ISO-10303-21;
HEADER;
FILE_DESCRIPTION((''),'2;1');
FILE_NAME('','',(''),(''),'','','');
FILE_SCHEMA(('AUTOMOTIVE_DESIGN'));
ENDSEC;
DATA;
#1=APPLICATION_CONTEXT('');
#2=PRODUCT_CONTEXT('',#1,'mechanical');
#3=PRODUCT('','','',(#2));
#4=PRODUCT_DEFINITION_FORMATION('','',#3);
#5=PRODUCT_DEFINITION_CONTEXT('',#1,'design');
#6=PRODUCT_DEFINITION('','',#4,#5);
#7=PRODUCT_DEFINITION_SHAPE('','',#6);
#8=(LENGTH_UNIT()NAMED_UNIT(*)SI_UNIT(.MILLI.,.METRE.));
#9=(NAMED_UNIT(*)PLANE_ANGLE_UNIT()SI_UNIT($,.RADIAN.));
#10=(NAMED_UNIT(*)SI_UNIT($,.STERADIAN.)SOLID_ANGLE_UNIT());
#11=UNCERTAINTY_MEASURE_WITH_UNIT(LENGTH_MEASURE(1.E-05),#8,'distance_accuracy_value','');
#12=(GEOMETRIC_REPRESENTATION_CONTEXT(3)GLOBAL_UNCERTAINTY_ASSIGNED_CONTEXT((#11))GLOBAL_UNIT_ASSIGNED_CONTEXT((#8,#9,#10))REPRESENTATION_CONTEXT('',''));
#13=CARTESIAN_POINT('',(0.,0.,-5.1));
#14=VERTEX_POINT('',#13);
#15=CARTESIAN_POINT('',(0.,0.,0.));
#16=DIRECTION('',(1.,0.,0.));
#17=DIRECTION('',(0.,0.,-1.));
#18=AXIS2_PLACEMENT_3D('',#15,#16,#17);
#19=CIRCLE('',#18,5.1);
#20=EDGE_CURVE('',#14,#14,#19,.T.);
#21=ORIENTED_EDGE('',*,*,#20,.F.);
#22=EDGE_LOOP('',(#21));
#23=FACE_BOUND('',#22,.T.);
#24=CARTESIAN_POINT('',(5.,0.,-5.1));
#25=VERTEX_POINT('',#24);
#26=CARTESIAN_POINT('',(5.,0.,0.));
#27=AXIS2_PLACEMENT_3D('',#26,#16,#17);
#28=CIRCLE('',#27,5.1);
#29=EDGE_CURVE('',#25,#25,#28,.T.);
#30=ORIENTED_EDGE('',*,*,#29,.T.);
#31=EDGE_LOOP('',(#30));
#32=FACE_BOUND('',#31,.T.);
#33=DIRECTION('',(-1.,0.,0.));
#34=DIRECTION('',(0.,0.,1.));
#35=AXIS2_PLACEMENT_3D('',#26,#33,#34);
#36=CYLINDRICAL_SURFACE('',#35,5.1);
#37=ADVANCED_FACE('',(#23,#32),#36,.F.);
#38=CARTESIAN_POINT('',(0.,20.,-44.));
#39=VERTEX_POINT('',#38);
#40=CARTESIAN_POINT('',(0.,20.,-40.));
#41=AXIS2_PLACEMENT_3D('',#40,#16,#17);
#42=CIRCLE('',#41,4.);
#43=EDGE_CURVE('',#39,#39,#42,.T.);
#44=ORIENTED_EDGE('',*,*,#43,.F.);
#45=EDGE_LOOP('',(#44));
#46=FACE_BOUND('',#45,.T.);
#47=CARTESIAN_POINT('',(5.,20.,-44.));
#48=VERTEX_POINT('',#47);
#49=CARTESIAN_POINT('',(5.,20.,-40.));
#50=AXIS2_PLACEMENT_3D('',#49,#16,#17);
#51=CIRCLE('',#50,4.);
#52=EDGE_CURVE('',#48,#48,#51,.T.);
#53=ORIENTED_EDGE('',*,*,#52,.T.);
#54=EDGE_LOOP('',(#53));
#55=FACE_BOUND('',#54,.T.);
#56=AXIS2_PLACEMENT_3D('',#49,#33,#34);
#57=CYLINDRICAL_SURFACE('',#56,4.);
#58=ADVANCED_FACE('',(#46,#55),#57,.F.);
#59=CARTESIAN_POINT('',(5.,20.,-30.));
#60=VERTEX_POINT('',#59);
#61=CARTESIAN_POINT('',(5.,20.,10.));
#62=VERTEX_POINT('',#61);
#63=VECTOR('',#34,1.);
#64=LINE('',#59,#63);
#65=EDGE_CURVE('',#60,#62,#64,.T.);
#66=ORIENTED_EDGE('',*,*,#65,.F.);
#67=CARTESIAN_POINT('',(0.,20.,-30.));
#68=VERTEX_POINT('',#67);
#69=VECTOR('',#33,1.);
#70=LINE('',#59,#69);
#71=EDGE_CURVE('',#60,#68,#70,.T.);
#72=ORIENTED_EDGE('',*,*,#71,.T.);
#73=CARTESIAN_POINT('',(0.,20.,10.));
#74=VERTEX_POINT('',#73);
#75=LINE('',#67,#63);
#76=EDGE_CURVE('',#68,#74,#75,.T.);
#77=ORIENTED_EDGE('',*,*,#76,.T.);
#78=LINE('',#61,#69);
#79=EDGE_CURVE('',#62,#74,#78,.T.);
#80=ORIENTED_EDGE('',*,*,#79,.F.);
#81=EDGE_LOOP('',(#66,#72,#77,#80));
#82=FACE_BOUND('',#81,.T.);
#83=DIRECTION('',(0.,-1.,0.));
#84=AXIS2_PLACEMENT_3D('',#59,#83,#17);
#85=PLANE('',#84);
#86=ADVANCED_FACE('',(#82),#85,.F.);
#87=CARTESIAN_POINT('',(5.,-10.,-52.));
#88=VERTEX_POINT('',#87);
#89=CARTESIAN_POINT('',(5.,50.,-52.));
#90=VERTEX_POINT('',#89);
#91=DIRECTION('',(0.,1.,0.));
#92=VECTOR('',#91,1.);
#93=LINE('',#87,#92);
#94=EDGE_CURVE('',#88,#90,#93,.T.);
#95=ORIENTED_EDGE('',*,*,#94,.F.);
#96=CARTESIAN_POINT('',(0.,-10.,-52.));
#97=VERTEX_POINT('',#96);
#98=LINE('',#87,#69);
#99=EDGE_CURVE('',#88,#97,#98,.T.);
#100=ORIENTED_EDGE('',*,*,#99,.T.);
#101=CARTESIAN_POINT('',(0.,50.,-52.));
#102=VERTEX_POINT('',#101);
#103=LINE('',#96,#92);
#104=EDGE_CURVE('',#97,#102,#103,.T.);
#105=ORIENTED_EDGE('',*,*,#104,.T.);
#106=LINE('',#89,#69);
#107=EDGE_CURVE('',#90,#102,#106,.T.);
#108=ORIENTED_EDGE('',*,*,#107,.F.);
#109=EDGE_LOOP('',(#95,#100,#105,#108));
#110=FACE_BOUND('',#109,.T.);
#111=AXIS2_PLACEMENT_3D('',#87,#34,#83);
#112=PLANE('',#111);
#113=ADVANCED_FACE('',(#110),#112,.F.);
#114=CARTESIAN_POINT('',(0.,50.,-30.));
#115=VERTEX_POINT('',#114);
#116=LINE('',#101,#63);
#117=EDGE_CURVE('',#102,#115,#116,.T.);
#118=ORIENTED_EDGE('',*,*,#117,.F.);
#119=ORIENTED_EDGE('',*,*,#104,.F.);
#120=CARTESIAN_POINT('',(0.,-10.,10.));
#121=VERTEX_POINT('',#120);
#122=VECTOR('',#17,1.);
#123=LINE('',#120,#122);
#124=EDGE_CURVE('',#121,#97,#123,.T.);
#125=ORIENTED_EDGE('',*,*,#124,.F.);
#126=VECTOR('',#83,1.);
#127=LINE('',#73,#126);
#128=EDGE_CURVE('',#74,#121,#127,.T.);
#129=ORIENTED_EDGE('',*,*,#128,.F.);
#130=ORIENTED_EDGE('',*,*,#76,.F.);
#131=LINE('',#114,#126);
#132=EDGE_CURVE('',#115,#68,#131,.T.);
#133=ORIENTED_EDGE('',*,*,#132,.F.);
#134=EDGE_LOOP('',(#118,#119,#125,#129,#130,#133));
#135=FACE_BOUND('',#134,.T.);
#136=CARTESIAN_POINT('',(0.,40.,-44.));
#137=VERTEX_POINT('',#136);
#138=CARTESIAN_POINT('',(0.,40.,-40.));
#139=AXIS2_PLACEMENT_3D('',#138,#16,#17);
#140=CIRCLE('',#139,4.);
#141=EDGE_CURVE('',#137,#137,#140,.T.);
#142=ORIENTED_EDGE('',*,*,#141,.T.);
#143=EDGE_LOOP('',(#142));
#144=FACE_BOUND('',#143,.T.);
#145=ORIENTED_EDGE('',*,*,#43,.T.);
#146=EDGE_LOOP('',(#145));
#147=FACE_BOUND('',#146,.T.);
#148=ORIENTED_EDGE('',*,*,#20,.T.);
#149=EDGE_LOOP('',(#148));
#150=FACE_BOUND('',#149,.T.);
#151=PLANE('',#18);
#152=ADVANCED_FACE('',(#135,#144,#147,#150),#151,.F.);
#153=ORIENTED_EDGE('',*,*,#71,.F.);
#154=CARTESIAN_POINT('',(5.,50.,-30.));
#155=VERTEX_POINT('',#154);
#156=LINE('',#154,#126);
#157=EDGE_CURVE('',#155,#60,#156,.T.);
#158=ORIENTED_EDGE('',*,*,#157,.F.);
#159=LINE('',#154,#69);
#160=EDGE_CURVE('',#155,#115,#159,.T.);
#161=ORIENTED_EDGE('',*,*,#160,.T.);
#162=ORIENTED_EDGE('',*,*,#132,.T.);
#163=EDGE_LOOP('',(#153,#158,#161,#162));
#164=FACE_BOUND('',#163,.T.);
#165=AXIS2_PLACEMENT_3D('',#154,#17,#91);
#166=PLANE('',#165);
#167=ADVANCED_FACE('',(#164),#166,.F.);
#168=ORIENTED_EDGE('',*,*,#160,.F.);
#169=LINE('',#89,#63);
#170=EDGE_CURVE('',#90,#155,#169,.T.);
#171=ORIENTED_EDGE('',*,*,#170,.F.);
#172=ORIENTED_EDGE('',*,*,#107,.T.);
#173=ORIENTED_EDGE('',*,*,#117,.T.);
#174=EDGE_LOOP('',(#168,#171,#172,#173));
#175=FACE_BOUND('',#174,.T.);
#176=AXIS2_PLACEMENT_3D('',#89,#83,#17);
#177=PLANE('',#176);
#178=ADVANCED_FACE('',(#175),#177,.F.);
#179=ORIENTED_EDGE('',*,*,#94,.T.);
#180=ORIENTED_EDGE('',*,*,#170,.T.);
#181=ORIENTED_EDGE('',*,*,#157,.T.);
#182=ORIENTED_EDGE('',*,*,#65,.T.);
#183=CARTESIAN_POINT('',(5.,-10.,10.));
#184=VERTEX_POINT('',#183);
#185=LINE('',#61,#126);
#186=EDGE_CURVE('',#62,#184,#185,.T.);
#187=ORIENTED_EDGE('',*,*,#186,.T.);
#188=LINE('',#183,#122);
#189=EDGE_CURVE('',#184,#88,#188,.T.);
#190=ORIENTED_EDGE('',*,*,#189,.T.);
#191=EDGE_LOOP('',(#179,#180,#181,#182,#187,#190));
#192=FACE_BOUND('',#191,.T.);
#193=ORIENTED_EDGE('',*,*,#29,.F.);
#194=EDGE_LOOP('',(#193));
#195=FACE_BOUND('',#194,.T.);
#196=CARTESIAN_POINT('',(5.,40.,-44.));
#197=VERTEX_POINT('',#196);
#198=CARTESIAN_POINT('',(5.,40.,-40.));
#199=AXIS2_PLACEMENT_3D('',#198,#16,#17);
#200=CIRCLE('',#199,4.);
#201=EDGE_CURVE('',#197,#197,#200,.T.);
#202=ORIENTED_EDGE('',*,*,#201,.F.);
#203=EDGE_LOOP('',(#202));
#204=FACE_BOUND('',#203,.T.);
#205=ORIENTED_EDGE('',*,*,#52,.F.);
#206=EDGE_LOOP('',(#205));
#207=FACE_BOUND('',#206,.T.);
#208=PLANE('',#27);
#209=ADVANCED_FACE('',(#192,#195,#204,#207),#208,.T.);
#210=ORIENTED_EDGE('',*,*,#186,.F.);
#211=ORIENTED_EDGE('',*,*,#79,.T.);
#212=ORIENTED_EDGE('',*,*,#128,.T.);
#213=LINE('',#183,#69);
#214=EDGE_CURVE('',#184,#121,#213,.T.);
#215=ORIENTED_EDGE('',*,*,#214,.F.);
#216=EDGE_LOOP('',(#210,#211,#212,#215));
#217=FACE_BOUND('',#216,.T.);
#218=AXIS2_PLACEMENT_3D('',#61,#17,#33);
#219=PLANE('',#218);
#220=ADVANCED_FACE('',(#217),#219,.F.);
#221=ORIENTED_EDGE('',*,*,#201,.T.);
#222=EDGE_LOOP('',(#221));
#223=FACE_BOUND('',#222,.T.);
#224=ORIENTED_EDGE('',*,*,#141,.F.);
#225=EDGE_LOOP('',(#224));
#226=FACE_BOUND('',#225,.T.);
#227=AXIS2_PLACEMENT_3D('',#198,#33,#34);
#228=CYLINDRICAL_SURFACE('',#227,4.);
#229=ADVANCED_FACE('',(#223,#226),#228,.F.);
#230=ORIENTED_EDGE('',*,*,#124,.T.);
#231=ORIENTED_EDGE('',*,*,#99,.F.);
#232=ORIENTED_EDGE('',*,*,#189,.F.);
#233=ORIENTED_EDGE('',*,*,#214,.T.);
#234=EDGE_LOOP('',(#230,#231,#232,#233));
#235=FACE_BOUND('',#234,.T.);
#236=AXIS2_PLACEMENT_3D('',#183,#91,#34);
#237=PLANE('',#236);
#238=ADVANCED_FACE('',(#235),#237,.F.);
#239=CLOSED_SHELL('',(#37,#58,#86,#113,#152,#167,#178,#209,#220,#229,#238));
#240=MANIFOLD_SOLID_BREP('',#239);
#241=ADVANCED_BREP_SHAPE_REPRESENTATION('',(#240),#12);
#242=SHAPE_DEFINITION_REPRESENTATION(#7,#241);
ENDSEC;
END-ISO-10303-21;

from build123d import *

# Parameters (mm, degrees)
SKETCH2_R           = 4
SKETCH2_R_2         = 5.1
BOSS_EXTRUDE3_DEPTH = 5


with BuildPart() as part:
    # Sketch2 → Boss-Extrude3 (new body)
    with BuildSketch(Plane(origin=(0, 0, 0), x_dir=(0, 0, -1), z_dir=(1, 0, 0))):
        Polygon((52, -10), (52, 50), (30, 50), (30, 20), (-10, 20), (-10, -10), align=None)
        with Locations((40, 40)):
            Circle(SKETCH2_R, mode=Mode.SUBTRACT)
        with Locations((40, 20)):
            Circle(SKETCH2_R, mode=Mode.SUBTRACT)
        Circle(SKETCH2_R_2, mode=Mode.SUBTRACT)
    extrude(amount=BOSS_EXTRUDE3_DEPTH)


solid = part.part
